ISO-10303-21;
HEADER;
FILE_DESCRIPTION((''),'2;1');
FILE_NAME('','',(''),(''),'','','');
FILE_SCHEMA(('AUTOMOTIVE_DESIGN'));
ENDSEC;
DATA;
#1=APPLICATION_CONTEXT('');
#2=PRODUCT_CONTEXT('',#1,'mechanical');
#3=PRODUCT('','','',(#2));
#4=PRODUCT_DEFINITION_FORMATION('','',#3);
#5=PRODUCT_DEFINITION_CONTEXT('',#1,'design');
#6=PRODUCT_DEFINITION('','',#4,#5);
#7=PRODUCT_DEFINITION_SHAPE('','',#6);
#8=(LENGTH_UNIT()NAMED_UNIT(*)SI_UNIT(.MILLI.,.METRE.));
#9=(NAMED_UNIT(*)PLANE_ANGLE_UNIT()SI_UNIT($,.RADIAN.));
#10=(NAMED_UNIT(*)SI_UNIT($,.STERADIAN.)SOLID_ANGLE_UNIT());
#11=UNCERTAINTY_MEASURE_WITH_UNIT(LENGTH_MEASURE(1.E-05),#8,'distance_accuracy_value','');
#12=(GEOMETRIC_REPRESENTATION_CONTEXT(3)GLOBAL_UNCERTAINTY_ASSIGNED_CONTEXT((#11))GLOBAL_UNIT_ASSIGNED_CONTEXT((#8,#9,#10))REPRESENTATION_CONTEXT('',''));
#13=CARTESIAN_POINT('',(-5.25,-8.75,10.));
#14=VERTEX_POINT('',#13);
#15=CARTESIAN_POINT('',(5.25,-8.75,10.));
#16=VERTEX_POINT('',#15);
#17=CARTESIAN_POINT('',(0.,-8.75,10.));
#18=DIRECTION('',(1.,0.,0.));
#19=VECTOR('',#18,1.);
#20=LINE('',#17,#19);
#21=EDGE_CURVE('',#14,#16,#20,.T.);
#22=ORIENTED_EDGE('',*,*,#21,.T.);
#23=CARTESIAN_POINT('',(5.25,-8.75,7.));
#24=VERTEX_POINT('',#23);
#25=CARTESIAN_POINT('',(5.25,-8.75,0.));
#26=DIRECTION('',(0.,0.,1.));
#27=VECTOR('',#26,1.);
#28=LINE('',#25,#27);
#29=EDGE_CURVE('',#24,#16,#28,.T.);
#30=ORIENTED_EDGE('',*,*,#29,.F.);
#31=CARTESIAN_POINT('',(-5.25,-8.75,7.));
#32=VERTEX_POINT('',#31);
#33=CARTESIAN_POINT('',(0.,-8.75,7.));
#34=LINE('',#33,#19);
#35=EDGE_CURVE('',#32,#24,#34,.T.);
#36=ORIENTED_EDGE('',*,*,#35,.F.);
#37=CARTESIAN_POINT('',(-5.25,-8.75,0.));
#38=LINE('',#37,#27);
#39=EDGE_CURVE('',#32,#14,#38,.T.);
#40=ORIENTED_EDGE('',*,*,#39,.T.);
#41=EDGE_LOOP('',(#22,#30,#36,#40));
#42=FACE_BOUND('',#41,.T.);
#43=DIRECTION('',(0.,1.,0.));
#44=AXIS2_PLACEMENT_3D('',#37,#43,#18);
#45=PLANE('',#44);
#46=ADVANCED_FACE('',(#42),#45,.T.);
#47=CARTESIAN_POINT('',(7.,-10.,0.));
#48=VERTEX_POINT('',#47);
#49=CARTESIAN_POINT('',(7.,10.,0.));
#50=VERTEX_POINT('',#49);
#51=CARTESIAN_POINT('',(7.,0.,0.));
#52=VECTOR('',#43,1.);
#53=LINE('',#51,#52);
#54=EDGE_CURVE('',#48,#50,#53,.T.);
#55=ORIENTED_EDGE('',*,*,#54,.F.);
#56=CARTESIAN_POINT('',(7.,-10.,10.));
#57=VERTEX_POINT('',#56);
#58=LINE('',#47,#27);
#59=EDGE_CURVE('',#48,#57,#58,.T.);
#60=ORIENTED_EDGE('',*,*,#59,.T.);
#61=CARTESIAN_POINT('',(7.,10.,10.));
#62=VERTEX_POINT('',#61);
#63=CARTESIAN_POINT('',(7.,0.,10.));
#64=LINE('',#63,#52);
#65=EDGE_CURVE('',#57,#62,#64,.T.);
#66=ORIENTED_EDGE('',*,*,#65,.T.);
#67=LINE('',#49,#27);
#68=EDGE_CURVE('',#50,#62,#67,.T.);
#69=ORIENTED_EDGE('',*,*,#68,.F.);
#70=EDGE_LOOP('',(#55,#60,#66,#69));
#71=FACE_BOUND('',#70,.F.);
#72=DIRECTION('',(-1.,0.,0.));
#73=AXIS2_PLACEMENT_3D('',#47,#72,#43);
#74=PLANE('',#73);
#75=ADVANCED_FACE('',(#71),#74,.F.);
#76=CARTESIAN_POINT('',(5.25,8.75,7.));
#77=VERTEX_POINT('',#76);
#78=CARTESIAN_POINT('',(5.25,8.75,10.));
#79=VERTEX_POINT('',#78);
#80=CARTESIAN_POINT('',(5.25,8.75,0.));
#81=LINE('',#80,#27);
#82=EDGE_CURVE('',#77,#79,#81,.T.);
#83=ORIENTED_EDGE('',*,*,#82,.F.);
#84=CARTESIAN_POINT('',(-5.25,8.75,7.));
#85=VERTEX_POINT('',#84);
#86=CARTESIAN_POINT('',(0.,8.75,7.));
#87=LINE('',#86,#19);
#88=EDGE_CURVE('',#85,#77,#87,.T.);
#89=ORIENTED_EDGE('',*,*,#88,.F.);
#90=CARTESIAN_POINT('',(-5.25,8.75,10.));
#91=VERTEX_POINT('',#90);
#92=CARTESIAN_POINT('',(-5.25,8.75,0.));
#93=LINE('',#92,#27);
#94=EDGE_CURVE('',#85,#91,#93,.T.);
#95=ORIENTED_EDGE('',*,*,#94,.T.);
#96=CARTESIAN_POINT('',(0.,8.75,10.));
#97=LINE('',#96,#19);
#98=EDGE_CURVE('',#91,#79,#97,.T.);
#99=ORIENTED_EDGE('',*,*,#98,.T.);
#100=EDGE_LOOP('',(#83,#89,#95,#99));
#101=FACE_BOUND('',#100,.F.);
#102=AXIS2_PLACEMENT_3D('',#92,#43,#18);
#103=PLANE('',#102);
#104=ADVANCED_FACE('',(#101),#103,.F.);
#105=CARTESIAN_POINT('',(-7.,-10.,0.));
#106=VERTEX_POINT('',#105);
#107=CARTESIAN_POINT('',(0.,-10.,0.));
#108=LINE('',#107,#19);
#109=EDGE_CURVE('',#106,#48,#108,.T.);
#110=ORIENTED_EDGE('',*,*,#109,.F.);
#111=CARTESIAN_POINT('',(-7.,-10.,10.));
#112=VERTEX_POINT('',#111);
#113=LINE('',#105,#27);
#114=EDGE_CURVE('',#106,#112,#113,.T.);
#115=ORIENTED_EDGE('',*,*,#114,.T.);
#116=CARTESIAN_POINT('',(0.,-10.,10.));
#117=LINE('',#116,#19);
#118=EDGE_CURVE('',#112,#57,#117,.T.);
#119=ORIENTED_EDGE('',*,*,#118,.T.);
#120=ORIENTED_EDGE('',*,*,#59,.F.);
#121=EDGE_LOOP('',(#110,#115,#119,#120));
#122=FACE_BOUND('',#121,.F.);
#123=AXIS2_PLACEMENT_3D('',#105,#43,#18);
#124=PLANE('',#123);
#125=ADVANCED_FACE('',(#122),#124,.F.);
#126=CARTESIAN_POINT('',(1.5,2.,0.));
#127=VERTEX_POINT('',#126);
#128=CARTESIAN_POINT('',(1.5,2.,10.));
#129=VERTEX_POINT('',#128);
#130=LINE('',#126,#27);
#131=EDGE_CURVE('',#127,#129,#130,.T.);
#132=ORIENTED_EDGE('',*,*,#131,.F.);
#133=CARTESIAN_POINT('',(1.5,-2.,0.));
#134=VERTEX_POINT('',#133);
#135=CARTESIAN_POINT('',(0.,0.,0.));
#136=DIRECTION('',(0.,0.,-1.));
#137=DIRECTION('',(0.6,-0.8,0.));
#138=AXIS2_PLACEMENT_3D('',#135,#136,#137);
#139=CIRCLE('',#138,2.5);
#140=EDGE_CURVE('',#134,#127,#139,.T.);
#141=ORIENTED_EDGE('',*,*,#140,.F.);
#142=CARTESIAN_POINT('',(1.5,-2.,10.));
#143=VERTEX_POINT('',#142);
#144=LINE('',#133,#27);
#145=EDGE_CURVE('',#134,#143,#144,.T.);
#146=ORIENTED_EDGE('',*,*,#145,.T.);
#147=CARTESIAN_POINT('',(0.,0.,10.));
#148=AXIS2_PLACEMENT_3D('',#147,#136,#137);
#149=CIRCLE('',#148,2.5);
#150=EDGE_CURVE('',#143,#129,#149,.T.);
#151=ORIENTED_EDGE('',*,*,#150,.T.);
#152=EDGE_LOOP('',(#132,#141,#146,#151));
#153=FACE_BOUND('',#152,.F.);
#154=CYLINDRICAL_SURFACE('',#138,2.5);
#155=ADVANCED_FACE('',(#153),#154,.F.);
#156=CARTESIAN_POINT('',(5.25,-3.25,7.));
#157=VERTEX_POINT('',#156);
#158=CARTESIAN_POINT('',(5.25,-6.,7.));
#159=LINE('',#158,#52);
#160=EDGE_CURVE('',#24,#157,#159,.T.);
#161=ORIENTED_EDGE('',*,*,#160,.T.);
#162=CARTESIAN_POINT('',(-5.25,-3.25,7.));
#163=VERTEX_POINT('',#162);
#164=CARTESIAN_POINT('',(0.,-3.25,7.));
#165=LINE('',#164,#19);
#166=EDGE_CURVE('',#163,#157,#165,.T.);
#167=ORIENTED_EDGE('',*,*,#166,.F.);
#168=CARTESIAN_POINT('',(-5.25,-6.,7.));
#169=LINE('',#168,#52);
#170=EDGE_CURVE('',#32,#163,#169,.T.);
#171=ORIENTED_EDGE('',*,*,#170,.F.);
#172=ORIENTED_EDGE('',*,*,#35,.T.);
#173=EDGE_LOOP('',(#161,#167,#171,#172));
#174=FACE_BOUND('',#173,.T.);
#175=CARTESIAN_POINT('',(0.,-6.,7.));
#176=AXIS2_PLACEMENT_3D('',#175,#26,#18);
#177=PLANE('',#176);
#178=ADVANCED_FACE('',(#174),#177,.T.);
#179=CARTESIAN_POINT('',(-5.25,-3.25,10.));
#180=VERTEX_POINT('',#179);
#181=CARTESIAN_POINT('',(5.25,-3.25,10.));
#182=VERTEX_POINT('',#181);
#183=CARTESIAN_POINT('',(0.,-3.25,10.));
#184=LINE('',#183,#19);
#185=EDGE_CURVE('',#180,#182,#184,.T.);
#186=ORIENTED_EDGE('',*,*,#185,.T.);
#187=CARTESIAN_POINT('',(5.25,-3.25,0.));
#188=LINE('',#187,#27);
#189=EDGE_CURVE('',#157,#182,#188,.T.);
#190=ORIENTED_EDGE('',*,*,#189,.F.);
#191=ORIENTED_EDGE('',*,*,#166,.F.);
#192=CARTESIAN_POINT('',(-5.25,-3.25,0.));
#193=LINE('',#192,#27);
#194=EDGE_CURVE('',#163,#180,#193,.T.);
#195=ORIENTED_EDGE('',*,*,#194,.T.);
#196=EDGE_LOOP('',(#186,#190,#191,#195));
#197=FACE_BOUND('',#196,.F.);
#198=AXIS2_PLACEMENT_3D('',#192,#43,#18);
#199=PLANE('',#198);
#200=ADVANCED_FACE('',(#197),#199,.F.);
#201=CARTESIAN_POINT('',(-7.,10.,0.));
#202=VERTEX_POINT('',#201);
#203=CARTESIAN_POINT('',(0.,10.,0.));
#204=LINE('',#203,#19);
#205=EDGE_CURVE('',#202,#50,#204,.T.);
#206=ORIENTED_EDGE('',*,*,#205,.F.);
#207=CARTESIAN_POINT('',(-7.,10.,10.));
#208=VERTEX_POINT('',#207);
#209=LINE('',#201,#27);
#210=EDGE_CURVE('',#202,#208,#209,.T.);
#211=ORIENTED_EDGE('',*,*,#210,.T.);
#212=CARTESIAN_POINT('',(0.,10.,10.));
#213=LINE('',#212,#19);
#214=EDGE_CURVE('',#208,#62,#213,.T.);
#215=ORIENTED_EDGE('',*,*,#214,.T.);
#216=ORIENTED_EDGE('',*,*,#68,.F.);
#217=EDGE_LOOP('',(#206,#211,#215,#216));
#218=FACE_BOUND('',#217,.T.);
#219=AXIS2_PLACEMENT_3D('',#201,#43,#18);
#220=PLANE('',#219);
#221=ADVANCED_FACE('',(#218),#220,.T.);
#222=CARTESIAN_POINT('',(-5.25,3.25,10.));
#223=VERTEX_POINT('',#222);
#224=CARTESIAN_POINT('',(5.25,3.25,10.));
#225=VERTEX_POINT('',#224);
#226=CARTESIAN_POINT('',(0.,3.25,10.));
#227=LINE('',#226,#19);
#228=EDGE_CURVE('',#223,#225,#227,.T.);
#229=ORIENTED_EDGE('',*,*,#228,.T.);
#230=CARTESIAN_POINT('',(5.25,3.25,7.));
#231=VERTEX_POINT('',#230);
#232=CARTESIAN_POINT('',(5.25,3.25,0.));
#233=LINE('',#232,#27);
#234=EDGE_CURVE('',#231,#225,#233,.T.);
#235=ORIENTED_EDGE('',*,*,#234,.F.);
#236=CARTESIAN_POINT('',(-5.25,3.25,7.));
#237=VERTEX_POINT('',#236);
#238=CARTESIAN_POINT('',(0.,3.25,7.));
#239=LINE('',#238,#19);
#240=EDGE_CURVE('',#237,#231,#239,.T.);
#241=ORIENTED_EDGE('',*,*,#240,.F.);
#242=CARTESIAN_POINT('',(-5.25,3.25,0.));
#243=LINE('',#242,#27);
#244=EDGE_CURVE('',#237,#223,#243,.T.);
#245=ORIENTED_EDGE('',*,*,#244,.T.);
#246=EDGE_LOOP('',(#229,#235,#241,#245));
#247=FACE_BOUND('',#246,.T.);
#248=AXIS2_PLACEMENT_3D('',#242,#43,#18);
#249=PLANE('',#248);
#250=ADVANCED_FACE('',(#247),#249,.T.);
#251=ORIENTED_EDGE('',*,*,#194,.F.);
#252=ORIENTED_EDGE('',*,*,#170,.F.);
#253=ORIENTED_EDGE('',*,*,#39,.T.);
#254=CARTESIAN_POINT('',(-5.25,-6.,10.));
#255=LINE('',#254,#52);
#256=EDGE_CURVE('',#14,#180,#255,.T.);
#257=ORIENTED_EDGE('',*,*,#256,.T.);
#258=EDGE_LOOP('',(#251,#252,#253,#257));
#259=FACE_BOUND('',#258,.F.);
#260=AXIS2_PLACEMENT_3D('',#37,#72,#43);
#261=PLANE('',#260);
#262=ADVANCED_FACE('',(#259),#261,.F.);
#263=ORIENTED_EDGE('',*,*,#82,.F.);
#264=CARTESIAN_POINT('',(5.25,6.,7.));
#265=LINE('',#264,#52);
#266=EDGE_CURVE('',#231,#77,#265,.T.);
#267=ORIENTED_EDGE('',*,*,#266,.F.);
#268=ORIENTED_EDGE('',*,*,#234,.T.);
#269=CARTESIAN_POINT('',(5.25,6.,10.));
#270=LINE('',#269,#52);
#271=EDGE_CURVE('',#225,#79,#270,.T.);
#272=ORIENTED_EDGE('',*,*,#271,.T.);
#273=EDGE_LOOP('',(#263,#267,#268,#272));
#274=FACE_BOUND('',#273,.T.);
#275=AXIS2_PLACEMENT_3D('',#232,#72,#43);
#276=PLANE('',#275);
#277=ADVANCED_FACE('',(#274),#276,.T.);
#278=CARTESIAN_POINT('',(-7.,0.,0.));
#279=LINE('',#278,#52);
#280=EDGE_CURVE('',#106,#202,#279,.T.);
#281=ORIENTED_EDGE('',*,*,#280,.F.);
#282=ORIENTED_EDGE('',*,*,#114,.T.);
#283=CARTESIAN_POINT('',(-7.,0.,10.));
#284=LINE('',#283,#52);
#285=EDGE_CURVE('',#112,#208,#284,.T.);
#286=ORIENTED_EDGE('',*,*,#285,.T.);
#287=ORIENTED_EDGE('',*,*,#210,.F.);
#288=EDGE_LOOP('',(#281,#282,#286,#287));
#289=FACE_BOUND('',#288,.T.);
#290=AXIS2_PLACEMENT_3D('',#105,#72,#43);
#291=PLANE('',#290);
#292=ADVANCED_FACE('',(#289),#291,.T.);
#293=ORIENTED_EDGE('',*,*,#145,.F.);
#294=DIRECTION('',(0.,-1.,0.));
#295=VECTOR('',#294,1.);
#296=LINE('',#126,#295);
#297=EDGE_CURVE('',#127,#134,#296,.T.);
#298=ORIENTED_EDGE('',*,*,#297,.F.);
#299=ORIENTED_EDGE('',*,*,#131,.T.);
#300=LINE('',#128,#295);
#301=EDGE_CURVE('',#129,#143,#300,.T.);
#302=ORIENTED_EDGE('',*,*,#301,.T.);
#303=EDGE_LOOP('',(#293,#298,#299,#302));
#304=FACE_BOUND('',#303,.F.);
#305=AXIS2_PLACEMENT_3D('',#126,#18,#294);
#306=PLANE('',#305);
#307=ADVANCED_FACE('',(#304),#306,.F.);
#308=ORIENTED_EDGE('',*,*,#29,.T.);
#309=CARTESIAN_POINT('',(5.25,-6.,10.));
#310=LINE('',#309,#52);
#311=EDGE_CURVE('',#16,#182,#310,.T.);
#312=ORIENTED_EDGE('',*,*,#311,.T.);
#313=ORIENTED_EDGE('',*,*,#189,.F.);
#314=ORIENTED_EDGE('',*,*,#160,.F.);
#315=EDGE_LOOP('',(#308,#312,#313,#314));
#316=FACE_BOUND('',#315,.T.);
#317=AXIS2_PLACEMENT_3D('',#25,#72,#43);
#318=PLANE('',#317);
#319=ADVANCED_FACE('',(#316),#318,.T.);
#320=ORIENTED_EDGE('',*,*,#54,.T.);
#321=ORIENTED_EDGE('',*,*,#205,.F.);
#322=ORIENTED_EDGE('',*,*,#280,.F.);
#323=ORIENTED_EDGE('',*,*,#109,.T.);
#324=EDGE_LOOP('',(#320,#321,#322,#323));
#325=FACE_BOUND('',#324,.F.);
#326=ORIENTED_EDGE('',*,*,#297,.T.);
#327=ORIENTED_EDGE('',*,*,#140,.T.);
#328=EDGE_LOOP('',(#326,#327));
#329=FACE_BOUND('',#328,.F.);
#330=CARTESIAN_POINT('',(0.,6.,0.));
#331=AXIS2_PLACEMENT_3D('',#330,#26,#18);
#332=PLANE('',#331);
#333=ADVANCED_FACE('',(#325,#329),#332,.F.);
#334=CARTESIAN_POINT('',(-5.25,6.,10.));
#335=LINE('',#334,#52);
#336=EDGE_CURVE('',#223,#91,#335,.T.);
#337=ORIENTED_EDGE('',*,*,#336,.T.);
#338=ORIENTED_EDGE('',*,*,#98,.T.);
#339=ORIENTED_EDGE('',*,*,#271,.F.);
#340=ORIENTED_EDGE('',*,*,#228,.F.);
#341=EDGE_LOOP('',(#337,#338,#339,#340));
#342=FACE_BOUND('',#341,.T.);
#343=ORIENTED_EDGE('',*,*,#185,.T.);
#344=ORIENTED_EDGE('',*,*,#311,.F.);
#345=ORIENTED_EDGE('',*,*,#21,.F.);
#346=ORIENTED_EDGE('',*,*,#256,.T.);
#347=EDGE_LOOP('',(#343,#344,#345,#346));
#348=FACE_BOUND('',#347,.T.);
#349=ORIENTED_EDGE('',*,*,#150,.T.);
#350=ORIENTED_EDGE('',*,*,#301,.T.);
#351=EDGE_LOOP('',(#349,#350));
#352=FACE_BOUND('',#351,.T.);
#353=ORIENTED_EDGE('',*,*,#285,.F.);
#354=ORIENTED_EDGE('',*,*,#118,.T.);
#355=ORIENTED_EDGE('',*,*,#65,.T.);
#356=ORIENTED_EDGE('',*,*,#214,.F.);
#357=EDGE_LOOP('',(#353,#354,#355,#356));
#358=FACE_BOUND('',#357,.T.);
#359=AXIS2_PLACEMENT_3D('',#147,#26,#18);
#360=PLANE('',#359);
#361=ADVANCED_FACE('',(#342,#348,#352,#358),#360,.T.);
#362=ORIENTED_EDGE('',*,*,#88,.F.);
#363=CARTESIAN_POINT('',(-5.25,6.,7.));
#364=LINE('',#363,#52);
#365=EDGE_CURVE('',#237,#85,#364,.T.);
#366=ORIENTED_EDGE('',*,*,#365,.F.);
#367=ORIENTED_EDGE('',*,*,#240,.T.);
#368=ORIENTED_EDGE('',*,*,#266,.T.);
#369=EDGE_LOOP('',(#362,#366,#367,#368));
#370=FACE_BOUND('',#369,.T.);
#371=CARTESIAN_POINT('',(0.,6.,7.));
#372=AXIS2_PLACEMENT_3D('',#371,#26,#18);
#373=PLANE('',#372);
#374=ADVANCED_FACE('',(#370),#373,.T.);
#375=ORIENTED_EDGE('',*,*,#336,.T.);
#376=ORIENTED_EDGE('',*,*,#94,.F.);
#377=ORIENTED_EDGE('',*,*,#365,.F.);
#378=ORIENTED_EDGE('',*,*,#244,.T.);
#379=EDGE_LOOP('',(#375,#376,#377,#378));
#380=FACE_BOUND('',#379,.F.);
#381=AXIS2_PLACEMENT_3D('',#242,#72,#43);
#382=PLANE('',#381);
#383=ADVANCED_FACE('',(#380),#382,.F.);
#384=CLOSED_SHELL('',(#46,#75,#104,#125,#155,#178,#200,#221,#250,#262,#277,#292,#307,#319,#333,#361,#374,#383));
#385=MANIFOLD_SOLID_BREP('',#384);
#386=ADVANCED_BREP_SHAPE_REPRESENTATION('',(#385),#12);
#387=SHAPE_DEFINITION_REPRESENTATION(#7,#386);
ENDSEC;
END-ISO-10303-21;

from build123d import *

# Parameters (mm, degrees)
F0_W     = 14
F0_H     = 20
F0_W_2   = 10.5
F0_H_2   = 5.5
F1_DEPTH = 10
F2_DEPTH = 7


with BuildPart() as f1:
    # F0 (on Top) → F1 (new body)
    with BuildSketch(Plane.XY):
        Rectangle(F0_W, F0_H)
        with Locations((0, -6)):
            Rectangle(F0_W_2, F0_H_2, mode=Mode.SUBTRACT)
        with BuildLine():
            ThreePointArc((1.5, -2), (-2.5, 0), (1.5, 2))
            Line((1.5, 2), (1.5, -2))
        make_face(mode=Mode.SUBTRACT)
        with Locations((0, 6)):
            Rectangle(F0_W_2, F0_H_2, mode=Mode.SUBTRACT)
    extrude(amount=F1_DEPTH)

    # F0 (on Top) → F2 (join)
    with BuildSketch(Plane.XY):
        with Locations((0, 6)):
            Rectangle(F0_W_2, F0_H_2)
        with Locations((0, -6)):
            Rectangle(F0_W_2, F0_H_2)
    extrude(amount=F2_DEPTH)


solid = f1.part
